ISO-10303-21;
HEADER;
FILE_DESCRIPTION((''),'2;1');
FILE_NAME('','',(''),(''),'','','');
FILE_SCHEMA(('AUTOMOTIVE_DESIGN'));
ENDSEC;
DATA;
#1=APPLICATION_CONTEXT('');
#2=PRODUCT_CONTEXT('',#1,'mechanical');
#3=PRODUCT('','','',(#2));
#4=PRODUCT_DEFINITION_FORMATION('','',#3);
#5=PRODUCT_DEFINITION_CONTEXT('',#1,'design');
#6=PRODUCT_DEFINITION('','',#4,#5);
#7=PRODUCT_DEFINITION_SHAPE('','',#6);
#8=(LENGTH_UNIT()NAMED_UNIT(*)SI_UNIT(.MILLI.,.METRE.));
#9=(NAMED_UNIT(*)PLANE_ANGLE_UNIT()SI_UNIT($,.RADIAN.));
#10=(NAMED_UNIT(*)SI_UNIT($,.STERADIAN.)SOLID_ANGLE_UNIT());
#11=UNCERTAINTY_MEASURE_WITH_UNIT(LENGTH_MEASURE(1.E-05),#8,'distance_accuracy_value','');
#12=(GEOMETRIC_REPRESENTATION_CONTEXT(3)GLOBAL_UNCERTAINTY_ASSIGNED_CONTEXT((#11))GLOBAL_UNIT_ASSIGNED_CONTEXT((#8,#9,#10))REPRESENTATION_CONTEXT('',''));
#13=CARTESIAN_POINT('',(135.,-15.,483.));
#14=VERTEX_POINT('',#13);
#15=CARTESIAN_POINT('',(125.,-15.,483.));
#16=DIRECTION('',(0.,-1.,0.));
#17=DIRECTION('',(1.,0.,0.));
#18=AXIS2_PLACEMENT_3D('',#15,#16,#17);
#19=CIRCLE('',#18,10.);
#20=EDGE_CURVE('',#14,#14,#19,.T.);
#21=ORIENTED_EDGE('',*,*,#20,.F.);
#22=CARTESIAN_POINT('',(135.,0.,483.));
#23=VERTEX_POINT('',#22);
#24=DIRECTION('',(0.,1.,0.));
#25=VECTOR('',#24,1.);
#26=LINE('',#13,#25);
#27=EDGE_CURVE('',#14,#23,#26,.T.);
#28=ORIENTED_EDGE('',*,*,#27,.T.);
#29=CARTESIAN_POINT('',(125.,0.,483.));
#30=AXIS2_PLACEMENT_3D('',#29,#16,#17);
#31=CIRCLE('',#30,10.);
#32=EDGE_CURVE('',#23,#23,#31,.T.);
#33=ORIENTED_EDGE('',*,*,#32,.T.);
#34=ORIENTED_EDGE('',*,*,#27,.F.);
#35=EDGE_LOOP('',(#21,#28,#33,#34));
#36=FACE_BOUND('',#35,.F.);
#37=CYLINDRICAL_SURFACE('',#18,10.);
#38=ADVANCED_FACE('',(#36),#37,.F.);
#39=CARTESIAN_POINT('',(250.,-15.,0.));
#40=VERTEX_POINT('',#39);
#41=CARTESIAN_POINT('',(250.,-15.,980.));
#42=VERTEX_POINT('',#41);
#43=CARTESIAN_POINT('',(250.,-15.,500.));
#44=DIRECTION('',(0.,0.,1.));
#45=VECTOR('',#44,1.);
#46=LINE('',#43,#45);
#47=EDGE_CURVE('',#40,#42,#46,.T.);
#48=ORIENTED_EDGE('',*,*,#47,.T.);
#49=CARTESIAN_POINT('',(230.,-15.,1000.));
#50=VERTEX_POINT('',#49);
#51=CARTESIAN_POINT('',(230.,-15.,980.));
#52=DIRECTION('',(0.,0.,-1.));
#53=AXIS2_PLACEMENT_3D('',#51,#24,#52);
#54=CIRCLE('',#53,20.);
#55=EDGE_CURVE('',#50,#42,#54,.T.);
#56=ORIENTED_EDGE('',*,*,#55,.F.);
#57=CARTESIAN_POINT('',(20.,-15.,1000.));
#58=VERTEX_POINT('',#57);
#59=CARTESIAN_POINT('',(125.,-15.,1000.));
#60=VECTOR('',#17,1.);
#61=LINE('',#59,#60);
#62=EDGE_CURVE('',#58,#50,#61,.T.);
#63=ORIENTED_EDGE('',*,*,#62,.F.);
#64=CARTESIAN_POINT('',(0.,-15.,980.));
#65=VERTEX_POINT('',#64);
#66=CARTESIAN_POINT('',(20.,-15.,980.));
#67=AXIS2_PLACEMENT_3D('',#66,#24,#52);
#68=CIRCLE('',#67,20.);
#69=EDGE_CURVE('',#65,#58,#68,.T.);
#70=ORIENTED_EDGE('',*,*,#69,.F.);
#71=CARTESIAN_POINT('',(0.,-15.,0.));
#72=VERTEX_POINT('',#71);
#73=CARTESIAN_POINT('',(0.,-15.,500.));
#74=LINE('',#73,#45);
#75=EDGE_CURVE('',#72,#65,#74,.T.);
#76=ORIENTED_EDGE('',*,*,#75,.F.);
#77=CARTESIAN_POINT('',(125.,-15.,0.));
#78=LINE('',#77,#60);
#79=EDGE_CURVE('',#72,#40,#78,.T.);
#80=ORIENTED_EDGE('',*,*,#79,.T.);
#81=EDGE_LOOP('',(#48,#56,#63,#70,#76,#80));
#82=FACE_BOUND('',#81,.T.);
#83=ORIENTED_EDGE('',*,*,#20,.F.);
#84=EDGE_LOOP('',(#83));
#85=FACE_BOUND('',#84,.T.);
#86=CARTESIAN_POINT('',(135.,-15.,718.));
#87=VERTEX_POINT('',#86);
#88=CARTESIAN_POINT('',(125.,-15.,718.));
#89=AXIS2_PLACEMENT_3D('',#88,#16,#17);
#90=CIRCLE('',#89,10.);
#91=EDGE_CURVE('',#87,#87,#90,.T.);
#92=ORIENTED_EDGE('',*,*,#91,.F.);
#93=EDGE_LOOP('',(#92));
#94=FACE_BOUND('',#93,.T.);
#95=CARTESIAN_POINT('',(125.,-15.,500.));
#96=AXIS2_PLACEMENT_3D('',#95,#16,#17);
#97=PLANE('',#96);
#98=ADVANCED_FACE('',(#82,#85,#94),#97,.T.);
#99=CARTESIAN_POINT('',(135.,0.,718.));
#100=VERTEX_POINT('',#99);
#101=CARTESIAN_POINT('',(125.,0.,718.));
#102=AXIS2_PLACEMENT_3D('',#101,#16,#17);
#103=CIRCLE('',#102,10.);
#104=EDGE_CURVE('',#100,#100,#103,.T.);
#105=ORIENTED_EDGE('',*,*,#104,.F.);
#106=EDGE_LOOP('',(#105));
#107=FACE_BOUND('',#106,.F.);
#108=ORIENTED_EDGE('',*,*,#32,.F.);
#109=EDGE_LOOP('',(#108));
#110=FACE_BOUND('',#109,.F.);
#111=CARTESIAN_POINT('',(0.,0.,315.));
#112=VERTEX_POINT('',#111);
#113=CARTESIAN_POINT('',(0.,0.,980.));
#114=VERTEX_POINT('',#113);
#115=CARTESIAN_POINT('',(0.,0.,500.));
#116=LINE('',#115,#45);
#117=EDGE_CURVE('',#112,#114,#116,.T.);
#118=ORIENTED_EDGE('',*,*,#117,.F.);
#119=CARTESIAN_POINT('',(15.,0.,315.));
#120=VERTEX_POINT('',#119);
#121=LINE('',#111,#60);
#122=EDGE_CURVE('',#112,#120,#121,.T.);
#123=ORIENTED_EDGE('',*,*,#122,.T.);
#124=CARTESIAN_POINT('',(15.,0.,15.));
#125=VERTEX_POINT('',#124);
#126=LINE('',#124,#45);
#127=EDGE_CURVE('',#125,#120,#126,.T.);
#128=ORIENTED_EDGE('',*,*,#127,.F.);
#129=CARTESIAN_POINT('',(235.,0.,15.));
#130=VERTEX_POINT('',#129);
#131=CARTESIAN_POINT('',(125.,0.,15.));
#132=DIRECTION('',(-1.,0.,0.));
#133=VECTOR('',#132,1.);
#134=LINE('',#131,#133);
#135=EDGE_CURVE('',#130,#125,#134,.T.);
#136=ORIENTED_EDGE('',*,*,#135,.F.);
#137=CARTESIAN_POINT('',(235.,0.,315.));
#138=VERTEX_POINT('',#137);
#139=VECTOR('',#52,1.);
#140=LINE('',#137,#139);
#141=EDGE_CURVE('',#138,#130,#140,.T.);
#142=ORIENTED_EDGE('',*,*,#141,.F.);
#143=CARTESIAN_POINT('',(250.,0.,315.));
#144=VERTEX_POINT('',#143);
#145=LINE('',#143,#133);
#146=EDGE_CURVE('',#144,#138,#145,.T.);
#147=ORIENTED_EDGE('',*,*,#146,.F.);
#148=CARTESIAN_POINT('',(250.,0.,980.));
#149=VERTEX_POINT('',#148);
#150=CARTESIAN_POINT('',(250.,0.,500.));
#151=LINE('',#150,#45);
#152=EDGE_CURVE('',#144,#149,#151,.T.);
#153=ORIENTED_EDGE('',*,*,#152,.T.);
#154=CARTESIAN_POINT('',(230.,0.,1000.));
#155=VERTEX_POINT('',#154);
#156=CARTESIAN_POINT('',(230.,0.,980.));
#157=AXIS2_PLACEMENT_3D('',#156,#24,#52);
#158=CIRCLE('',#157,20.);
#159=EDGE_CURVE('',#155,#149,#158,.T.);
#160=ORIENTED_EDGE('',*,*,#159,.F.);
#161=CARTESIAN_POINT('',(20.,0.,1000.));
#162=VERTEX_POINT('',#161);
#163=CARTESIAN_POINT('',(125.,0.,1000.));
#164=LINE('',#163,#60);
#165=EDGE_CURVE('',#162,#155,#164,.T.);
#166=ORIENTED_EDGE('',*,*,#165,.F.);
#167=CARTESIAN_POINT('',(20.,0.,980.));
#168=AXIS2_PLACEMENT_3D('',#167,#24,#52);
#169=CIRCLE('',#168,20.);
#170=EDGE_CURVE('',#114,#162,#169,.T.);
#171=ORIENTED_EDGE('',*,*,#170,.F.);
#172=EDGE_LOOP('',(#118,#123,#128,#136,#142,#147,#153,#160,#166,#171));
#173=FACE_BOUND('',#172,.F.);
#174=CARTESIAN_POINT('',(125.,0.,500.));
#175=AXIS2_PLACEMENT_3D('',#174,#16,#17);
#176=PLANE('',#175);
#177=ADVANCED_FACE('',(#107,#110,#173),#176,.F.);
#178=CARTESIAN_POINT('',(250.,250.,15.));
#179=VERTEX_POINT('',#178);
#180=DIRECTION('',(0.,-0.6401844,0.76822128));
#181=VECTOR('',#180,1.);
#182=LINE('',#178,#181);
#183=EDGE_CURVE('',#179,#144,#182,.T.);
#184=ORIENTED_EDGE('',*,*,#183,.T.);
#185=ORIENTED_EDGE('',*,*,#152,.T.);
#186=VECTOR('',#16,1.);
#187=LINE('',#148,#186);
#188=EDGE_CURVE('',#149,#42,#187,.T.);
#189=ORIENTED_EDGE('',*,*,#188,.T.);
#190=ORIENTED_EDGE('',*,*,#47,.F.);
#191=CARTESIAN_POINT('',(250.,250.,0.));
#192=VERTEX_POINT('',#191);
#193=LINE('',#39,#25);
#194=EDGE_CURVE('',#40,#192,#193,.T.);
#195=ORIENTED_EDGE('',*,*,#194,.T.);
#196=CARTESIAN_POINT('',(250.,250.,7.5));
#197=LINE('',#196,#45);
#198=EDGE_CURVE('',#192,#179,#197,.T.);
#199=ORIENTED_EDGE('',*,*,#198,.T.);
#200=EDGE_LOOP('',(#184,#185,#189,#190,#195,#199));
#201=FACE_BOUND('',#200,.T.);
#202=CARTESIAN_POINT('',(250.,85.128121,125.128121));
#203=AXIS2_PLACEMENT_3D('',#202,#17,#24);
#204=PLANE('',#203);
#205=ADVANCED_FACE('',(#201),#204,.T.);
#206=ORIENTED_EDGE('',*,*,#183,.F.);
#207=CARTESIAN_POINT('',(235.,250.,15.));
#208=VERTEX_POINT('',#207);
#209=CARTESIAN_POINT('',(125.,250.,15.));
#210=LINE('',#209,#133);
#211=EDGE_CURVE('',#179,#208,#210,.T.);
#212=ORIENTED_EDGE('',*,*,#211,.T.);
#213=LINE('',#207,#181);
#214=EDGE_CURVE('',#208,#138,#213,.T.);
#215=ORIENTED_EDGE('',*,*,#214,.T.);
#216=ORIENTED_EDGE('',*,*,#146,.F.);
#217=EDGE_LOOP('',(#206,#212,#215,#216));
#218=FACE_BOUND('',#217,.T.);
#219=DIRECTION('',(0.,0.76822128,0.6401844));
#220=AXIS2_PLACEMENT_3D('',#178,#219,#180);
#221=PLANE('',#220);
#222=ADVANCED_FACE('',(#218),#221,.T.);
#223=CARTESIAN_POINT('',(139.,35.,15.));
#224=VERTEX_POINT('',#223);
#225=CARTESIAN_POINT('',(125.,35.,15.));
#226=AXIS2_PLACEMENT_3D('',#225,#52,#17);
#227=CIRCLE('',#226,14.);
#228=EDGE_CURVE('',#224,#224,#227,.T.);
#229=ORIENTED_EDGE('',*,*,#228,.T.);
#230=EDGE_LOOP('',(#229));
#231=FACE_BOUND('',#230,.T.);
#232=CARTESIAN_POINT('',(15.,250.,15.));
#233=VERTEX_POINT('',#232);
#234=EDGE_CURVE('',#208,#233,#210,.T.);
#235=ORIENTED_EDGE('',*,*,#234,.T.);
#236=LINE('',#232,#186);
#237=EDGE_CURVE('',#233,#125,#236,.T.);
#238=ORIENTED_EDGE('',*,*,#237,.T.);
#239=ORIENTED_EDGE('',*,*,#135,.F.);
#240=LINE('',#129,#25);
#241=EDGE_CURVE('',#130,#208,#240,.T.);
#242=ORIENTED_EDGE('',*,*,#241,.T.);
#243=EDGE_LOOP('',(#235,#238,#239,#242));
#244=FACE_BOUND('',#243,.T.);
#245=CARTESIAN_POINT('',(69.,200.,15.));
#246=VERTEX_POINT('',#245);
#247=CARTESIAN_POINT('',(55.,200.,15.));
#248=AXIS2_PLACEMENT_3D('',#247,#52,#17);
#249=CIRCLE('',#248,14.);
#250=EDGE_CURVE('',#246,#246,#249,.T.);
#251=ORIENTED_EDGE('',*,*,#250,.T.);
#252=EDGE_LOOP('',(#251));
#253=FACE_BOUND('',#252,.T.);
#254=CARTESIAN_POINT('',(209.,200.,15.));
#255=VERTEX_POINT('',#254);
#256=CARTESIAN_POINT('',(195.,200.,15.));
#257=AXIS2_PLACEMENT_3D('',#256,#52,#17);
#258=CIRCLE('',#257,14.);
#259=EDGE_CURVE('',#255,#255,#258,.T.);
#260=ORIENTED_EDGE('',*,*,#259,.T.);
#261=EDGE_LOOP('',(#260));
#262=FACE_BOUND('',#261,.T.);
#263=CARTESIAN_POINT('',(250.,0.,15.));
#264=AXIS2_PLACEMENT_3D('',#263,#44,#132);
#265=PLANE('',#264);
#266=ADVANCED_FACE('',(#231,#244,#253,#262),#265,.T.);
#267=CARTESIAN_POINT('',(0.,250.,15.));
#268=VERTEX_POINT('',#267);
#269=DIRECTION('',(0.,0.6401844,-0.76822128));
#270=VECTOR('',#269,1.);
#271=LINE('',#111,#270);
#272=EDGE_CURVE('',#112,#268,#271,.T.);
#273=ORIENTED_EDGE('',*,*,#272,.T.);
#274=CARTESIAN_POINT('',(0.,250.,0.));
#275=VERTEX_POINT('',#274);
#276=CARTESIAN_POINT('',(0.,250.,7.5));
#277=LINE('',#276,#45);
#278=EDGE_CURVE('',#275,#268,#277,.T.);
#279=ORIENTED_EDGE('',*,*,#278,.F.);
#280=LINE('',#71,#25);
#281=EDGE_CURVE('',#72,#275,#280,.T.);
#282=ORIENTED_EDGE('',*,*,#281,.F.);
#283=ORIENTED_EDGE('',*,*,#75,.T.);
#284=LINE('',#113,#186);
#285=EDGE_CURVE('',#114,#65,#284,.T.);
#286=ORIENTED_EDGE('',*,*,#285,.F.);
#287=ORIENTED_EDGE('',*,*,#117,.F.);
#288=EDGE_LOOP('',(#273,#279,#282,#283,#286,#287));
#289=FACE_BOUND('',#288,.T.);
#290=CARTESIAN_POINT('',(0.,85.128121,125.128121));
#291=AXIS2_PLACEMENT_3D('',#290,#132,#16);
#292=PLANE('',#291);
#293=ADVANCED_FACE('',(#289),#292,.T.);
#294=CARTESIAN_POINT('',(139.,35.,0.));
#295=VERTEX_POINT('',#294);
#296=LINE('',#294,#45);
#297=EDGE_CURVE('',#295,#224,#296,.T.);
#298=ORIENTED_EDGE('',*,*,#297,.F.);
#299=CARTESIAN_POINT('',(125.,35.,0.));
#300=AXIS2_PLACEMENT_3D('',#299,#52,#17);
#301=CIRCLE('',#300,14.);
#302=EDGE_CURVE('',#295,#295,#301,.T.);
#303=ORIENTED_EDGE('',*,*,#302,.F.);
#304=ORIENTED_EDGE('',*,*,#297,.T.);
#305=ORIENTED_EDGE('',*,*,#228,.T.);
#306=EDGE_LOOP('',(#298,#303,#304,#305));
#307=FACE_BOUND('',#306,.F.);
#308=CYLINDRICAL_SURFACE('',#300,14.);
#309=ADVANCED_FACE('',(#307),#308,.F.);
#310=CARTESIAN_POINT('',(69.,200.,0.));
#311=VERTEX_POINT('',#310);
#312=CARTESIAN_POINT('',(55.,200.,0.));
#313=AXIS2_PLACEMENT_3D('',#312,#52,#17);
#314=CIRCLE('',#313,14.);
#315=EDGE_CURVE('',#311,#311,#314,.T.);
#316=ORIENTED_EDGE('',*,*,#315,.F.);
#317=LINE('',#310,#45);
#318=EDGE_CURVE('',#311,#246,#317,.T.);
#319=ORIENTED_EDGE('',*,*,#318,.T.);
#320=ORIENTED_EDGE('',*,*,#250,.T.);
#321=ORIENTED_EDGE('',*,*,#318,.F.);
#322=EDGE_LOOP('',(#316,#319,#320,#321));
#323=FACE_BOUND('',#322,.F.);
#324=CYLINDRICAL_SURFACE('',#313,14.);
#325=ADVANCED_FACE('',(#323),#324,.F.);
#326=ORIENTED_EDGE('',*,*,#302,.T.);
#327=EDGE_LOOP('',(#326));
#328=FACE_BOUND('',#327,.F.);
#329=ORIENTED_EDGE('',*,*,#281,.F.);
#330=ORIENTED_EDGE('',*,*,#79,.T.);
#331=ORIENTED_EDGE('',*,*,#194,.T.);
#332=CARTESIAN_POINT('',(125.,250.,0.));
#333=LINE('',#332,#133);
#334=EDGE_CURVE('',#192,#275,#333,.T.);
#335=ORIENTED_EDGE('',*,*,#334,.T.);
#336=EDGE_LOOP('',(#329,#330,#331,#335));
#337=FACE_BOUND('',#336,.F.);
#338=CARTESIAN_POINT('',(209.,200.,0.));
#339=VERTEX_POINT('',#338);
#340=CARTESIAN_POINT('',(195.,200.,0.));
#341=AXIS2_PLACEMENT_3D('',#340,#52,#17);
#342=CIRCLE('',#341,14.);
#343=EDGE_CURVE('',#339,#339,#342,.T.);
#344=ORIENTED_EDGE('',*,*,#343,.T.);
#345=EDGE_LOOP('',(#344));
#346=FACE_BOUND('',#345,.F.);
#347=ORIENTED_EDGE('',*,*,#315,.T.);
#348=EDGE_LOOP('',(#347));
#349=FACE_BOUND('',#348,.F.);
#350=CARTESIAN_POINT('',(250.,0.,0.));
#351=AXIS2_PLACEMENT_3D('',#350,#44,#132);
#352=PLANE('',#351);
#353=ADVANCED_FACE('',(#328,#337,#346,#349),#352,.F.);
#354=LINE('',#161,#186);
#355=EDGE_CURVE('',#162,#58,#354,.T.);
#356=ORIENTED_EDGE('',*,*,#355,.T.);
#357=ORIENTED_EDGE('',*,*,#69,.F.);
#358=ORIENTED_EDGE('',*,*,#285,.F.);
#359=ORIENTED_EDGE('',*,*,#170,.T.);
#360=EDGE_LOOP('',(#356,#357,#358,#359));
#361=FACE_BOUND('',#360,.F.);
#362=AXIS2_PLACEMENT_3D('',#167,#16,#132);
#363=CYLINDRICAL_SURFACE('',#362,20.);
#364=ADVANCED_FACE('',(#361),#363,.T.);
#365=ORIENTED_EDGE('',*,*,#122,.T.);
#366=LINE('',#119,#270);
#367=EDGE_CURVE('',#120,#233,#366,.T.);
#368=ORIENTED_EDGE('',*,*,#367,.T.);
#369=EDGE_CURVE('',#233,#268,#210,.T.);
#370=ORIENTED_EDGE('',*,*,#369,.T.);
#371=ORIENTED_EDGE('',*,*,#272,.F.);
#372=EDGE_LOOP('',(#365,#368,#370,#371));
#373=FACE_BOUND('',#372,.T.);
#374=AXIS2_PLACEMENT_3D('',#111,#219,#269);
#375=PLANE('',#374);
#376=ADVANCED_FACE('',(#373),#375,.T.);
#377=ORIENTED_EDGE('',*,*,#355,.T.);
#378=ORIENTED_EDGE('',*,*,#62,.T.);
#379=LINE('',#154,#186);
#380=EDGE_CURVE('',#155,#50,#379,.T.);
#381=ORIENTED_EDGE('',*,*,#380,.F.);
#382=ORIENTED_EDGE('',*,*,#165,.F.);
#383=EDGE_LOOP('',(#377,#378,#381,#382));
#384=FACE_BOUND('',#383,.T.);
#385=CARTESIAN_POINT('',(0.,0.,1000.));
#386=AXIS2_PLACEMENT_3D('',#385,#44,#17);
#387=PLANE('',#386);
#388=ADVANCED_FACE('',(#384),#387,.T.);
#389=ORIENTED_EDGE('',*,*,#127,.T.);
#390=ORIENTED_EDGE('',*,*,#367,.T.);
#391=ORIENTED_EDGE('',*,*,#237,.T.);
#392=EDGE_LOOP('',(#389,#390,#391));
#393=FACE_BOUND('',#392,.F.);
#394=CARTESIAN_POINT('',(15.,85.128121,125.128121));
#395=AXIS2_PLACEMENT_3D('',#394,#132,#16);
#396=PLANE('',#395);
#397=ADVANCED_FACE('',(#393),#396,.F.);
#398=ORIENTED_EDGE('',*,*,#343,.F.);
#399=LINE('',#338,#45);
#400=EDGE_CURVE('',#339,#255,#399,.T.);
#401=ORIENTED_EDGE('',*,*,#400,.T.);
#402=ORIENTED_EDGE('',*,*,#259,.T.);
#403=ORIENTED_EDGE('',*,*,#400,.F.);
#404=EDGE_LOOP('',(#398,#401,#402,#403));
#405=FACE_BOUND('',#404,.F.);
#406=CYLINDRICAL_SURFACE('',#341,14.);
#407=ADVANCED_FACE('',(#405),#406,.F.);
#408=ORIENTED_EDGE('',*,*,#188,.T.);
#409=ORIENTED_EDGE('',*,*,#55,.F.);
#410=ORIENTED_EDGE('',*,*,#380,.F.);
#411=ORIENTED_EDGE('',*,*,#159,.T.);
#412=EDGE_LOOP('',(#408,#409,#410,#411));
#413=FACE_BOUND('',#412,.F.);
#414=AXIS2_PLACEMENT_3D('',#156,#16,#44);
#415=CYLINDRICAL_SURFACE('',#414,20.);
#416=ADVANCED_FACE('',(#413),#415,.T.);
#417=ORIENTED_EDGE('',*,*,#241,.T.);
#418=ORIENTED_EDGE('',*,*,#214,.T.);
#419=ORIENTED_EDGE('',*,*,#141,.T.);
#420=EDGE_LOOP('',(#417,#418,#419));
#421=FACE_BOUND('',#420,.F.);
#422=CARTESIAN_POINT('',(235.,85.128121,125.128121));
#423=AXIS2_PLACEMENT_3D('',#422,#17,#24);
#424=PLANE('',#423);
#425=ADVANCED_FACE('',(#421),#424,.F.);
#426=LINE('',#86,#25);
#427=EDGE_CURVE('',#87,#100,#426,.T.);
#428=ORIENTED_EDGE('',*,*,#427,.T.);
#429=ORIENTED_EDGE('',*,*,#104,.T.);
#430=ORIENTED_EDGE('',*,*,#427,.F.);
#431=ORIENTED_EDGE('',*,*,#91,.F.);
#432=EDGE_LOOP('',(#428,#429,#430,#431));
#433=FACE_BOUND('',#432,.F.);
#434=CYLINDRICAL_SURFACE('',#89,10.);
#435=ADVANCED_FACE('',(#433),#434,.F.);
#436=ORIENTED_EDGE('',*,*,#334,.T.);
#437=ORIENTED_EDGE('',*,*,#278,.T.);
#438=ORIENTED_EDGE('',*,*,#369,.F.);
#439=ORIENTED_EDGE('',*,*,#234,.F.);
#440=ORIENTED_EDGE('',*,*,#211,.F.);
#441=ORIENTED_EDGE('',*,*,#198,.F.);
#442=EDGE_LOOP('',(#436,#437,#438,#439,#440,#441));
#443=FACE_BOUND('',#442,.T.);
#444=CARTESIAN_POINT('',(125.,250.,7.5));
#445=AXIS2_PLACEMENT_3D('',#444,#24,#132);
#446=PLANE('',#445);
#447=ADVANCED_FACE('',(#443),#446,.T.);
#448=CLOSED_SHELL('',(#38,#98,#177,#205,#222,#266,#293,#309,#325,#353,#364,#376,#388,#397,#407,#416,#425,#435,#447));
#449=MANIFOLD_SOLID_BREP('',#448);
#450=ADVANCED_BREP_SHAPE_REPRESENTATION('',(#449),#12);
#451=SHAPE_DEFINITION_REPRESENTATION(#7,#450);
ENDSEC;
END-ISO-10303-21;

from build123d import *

# Parameters (mm, degrees)
F0_W      = 250
F0_H      = 1000
F1_DEPTH  = 15
F2_R      = 20
F3_R      = 20
F4_W      = 250
F4_H      = 15
F5_DEPTH  = 250
F7_DEPTH  = 15
F9_DEPTH  = 15
F10_R     = 14
F11_DEPTH = 15
F12_R     = 10
F13_DEPTH = 265.001


with BuildPart() as f1:
    # F0 (on Front) → F1 (new body)
    with BuildSketch(Plane.XZ):
        with Locations((125, 500)):
            Rectangle(F0_W, F0_H)
    extrude(amount=F1_DEPTH)

    # F2
    f2_edges = [f1.edges().sort_by_distance(p)[0] for p in [
        (0, -7.5, 1000),
    ]]
    fillet(f2_edges, radius=F2_R)

    # F3
    f3_edges = [f1.edges().sort_by_distance(p)[0] for p in [
        (250, -7.5, 1000),
    ]]
    fillet(f3_edges, radius=F3_R)

    # F4 (on face) → F5 (join)
    with BuildSketch(Plane(origin=(0, 0, 0), x_dir=(-1, 0, 0), z_dir=(0, 1, 0))):
        with Locations((-125, 7.5)):
            Rectangle(F4_W, F4_H)
    extrude(amount=F5_DEPTH)

    # F6 (on face) → F7 (join)
    with BuildSketch(Plane(origin=(0, 0, 0), x_dir=(0, -1, 0), z_dir=(-1, 0, 0))):
        Polygon((0, 315), (-250, 15), (0, 15), align=None)
    extrude(amount=-F7_DEPTH)

    # F8 (on face) → F9 (join)
    with BuildSketch(Plane.YZ.offset(250)):
        Polygon((0, 15), (250, 15), (0, 315), align=None)
    extrude(amount=-F9_DEPTH)

    # F10 (on face) → F11 (cut)
    with BuildSketch(Plane(origin=(0, 0, 0), x_dir=(1, 0, 0), z_dir=(0, 0, -1))):
        with Locations((125, -35)):
            Circle(F10_R)
        with Locations((195, -200)):
            Circle(F10_R)
        with Locations((55, -200)):
            Circle(F10_R)
    extrude(amount=-F11_DEPTH, mode=Mode.SUBTRACT)

    # F12 (on face) → F13 (cut, through all)
    with BuildSketch(Plane.XZ.offset(15)):
        with Locations((125, 718)):
            Circle(F12_R)
        with Locations((125, 483)):
            Circle(F12_R)
    extrude(amount=-F13_DEPTH, mode=Mode.SUBTRACT)


solid = f1.part
